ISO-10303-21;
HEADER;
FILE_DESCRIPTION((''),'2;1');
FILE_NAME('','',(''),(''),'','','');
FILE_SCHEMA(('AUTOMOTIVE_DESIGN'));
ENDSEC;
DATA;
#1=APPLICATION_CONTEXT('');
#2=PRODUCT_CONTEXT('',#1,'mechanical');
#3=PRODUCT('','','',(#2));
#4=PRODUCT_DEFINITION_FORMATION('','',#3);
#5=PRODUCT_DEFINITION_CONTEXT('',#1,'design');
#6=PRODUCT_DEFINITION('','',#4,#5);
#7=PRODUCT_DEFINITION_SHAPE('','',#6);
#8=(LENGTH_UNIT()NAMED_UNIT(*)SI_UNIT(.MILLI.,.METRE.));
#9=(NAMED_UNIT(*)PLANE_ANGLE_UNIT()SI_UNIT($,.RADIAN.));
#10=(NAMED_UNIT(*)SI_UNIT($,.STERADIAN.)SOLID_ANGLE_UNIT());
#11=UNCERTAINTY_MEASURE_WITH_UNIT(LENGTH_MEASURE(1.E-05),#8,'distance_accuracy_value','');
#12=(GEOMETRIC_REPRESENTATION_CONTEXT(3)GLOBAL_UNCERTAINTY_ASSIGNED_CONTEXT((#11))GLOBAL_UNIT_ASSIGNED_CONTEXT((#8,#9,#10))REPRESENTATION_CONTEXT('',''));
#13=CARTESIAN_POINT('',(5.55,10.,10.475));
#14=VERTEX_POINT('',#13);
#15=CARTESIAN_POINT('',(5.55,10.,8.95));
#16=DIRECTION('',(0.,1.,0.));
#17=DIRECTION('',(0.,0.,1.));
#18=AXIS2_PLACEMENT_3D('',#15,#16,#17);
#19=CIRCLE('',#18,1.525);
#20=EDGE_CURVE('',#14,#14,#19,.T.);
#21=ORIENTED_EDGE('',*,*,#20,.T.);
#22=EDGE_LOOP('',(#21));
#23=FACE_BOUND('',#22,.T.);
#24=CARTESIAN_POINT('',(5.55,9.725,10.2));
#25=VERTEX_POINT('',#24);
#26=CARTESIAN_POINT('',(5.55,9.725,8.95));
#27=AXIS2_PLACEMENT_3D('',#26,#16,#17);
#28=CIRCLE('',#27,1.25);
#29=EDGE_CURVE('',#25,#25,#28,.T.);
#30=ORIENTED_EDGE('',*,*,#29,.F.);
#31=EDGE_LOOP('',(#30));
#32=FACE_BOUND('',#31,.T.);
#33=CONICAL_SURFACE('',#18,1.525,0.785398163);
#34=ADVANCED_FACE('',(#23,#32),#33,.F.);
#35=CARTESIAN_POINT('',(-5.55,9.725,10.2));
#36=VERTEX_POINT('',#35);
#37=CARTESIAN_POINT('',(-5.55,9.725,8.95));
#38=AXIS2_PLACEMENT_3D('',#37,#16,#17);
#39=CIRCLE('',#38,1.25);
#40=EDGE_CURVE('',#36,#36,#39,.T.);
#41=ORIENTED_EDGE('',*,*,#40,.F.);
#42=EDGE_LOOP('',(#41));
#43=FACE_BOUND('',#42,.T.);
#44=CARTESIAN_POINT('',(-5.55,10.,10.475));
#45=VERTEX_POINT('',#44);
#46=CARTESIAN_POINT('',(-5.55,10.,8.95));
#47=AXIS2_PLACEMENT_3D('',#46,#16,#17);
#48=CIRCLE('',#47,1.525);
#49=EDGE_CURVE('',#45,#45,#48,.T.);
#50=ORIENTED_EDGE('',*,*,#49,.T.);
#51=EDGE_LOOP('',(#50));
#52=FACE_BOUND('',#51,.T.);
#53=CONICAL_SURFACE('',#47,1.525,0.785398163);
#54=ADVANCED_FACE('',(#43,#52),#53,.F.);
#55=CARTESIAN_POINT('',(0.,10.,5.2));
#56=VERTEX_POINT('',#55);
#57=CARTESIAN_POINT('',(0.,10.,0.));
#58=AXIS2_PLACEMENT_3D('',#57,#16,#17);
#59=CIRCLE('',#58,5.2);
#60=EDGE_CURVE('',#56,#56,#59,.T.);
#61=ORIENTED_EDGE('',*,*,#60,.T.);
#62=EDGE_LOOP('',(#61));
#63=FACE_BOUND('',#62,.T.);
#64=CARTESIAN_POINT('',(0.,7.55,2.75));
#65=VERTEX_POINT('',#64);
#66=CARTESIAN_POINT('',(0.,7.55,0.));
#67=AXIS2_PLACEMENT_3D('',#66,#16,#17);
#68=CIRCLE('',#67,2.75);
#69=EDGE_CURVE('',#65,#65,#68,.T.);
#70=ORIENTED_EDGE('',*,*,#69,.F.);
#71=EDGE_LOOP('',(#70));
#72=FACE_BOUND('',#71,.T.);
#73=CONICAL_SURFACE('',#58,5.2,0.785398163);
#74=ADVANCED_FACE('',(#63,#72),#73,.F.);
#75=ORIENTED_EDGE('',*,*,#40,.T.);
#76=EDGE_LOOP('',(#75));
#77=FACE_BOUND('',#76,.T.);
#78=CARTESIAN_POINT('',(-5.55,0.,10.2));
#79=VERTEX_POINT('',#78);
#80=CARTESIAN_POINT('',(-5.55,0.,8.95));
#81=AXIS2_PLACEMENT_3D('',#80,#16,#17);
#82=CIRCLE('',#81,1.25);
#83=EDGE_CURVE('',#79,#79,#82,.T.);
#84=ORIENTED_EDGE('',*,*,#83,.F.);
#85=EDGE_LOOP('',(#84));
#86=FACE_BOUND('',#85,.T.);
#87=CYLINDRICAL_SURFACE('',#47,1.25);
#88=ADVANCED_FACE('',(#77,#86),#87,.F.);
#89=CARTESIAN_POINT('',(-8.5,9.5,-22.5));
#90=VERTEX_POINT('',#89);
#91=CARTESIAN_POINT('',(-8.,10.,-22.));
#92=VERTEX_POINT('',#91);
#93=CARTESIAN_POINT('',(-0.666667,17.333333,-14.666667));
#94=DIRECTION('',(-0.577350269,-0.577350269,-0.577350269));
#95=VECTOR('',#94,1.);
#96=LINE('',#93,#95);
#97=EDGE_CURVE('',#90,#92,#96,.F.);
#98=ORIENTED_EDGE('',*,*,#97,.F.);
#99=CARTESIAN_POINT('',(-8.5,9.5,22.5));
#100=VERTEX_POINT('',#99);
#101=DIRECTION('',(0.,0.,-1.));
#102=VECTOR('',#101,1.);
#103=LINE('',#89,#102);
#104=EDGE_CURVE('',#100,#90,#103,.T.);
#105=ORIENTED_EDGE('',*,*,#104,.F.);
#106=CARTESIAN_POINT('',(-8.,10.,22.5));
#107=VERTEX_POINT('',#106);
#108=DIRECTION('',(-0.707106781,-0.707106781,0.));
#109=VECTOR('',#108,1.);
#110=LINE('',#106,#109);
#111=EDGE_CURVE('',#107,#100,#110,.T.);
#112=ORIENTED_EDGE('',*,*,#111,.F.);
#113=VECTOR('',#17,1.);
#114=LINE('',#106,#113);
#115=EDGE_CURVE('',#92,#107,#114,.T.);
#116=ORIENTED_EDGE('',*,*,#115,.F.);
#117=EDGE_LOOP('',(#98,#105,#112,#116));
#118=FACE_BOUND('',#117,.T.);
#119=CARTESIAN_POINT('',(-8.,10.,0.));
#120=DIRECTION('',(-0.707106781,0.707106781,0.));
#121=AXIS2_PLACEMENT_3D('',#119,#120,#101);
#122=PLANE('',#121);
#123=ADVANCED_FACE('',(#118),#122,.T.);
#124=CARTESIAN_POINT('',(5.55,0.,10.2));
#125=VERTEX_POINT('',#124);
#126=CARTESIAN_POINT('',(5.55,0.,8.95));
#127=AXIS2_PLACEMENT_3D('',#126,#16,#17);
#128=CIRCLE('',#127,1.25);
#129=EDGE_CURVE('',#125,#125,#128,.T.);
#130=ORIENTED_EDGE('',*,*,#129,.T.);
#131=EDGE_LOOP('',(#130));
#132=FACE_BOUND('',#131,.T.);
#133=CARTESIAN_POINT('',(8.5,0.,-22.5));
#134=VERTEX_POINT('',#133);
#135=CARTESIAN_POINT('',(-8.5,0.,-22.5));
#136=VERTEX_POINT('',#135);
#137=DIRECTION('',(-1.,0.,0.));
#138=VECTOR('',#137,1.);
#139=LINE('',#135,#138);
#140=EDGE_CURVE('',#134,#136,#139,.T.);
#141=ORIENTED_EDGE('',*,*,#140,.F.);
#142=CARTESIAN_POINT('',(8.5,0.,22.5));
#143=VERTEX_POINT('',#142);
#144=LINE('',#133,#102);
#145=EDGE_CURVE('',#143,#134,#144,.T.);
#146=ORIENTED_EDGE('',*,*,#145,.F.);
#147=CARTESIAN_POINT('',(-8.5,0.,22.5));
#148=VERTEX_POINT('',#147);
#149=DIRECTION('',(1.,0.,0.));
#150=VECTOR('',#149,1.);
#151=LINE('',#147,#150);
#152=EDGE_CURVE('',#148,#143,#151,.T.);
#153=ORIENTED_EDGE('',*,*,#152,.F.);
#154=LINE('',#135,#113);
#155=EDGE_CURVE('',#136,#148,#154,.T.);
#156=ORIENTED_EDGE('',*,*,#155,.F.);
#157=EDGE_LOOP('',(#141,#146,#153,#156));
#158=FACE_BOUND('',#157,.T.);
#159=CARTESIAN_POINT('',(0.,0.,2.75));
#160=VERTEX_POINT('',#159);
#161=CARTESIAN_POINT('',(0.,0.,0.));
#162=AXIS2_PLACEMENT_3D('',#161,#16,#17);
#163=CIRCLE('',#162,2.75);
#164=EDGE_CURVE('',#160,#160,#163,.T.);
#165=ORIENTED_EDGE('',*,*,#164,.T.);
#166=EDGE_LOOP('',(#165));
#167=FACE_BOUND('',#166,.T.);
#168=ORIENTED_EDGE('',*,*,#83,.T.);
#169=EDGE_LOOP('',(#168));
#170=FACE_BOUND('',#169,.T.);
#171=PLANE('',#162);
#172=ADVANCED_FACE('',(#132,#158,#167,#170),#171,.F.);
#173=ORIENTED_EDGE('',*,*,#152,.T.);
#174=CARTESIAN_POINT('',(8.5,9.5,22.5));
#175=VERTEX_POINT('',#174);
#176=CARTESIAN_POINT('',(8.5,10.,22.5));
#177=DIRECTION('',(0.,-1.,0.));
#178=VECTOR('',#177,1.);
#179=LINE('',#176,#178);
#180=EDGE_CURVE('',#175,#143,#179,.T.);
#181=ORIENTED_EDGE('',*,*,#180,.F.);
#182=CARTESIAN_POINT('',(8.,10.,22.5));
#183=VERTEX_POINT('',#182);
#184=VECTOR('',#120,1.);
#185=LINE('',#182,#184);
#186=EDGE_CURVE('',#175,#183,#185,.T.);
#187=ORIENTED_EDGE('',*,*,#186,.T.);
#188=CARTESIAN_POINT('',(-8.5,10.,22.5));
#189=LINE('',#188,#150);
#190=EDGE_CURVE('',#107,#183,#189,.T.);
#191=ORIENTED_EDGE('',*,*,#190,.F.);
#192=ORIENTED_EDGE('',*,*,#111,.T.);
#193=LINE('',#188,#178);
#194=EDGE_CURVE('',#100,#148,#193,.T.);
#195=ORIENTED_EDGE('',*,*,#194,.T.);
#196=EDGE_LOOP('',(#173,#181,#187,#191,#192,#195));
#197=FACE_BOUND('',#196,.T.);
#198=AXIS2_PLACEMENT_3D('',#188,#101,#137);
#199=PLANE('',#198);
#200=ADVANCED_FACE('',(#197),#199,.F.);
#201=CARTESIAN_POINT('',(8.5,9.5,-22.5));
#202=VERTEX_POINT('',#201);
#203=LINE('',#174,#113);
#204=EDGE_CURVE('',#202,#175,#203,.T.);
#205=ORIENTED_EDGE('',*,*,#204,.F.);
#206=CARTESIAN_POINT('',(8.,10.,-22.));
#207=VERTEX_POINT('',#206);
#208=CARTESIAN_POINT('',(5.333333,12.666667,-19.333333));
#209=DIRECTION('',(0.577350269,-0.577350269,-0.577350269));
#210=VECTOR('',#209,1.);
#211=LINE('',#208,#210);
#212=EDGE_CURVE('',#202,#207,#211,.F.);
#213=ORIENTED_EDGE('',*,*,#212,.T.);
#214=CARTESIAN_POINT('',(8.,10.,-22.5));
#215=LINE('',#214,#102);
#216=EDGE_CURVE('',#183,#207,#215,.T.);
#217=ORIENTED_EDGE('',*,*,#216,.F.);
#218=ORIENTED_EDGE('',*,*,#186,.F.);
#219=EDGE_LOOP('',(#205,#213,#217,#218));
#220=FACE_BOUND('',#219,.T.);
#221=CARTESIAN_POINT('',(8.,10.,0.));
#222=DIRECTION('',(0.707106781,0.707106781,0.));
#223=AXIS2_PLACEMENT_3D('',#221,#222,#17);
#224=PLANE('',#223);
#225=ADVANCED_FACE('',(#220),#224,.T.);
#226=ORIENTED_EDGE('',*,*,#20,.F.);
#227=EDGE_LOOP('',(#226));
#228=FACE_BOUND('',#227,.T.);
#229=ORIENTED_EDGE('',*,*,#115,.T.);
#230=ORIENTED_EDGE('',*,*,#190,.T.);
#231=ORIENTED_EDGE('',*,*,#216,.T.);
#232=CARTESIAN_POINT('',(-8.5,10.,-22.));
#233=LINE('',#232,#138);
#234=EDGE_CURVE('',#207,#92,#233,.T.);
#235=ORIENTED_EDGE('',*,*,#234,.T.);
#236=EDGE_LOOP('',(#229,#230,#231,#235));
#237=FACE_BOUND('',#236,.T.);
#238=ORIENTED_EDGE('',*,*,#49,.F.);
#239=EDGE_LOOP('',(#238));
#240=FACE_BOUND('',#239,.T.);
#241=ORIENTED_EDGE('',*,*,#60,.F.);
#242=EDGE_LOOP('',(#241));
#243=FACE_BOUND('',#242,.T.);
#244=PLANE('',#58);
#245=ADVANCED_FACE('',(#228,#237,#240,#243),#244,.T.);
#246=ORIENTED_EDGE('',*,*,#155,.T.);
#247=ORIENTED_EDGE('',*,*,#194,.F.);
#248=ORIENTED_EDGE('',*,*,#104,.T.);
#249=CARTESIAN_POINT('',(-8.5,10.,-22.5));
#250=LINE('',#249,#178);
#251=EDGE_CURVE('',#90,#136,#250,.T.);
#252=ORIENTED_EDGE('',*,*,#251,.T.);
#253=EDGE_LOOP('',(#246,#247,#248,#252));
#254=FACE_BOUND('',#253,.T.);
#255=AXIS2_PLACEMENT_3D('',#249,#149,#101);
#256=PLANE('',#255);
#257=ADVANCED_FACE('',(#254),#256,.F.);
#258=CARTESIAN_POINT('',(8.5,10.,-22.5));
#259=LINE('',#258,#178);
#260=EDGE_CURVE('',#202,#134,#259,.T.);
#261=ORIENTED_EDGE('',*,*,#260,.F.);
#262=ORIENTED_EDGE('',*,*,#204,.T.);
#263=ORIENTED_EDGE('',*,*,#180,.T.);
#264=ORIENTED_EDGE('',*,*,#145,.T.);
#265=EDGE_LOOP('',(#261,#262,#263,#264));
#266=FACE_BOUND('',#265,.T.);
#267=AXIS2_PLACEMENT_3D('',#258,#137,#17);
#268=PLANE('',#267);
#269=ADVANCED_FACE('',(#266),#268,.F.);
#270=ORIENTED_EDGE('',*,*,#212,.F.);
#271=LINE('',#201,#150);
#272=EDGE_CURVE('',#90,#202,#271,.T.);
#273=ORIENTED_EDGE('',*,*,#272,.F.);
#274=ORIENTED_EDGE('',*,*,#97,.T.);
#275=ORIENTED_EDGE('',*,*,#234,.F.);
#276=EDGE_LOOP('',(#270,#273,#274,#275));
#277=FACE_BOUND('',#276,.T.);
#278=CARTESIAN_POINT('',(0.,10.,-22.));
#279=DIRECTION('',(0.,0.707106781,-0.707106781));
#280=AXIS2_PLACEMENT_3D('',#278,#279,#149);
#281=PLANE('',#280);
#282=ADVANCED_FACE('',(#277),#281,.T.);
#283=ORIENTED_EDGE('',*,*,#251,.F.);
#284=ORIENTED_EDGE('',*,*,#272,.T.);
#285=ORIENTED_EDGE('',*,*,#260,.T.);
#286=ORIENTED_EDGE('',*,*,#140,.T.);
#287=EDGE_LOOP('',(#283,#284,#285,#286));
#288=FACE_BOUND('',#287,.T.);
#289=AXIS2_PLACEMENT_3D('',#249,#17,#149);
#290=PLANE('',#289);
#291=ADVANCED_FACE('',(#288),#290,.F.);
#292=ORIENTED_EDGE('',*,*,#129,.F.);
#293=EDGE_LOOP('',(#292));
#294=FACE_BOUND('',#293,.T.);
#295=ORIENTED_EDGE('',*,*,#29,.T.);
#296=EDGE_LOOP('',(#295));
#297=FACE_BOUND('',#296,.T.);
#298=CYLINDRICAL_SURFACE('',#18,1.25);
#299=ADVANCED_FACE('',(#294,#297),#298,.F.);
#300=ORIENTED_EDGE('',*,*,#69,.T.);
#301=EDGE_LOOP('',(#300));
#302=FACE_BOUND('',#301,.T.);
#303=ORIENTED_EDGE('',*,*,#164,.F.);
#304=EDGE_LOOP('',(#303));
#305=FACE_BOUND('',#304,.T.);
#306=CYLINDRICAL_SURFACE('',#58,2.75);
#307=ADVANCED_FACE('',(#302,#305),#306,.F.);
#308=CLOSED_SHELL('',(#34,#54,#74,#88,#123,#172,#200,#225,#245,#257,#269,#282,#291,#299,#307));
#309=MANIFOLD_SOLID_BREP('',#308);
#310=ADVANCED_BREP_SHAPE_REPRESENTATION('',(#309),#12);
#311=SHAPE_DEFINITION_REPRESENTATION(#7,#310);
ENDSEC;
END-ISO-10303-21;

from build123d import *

# Parameters (mm, degrees)
SKETCH_1_W                    = 17
SKETCH_1_H                    = 45
EXTRUDE_293_DEPTH             = 10
HOLE_WIZARD_40_M5_D           = 5.5
HOLE_WIZARD_40_M5_CSINK_D     = 10.4
HOLE_WIZARD_40_M5_CSINK_ANGLE = 90
HOLE_WIZARD_1122_D            = 2.5
HOLE_WIZARD_1122_CSINK_D      = 3.05
HOLE_WIZARD_1122_CSINK_ANGLE  = 90
CHAMFER_1_SIZE                = 0.5


with BuildPart() as part:
    # Эскиз1 → Extrude 293 (new body)
    with BuildSketch(Plane(origin=(0, 0, 0), x_dir=(1, 0, 0), z_dir=(0, 1, 0))):
        Rectangle(SKETCH_1_W, SKETCH_1_H)
    extrude(amount=EXTRUDE_293_DEPTH)

    # Крепление к профилю 40 - M5 (through all)
    with Locations(Plane(origin=(0, 10, 0), x_dir=(-1, 0, 0), z_dir=(0, 1, 0))):
        with Locations((0, 0)):
            CounterSinkHole(HOLE_WIZARD_40_M5_D / 2, HOLE_WIZARD_40_M5_CSINK_D / 2, counter_sink_angle=HOLE_WIZARD_40_M5_CSINK_ANGLE)

    # Hole Wizard 1122 (through all)
    with Locations(Plane(origin=(0, 10, 0), x_dir=(-1, 0, 0), z_dir=(0, 1, 0))):
        with Locations((5.55, 8.95), (-5.55, 8.95)):
            CounterSinkHole(HOLE_WIZARD_1122_D / 2, HOLE_WIZARD_1122_CSINK_D / 2, counter_sink_angle=HOLE_WIZARD_1122_CSINK_ANGLE)

    # Фаска1
    chamfer_1_edges = [part.edges().sort_by_distance(p)[0] for p in [
        (-8.5, 10, 0),
        (8.5, 10, 0),
        (0, 10, -22.5),
    ]]
    chamfer(chamfer_1_edges, length=CHAMFER_1_SIZE)


solid = part.part
